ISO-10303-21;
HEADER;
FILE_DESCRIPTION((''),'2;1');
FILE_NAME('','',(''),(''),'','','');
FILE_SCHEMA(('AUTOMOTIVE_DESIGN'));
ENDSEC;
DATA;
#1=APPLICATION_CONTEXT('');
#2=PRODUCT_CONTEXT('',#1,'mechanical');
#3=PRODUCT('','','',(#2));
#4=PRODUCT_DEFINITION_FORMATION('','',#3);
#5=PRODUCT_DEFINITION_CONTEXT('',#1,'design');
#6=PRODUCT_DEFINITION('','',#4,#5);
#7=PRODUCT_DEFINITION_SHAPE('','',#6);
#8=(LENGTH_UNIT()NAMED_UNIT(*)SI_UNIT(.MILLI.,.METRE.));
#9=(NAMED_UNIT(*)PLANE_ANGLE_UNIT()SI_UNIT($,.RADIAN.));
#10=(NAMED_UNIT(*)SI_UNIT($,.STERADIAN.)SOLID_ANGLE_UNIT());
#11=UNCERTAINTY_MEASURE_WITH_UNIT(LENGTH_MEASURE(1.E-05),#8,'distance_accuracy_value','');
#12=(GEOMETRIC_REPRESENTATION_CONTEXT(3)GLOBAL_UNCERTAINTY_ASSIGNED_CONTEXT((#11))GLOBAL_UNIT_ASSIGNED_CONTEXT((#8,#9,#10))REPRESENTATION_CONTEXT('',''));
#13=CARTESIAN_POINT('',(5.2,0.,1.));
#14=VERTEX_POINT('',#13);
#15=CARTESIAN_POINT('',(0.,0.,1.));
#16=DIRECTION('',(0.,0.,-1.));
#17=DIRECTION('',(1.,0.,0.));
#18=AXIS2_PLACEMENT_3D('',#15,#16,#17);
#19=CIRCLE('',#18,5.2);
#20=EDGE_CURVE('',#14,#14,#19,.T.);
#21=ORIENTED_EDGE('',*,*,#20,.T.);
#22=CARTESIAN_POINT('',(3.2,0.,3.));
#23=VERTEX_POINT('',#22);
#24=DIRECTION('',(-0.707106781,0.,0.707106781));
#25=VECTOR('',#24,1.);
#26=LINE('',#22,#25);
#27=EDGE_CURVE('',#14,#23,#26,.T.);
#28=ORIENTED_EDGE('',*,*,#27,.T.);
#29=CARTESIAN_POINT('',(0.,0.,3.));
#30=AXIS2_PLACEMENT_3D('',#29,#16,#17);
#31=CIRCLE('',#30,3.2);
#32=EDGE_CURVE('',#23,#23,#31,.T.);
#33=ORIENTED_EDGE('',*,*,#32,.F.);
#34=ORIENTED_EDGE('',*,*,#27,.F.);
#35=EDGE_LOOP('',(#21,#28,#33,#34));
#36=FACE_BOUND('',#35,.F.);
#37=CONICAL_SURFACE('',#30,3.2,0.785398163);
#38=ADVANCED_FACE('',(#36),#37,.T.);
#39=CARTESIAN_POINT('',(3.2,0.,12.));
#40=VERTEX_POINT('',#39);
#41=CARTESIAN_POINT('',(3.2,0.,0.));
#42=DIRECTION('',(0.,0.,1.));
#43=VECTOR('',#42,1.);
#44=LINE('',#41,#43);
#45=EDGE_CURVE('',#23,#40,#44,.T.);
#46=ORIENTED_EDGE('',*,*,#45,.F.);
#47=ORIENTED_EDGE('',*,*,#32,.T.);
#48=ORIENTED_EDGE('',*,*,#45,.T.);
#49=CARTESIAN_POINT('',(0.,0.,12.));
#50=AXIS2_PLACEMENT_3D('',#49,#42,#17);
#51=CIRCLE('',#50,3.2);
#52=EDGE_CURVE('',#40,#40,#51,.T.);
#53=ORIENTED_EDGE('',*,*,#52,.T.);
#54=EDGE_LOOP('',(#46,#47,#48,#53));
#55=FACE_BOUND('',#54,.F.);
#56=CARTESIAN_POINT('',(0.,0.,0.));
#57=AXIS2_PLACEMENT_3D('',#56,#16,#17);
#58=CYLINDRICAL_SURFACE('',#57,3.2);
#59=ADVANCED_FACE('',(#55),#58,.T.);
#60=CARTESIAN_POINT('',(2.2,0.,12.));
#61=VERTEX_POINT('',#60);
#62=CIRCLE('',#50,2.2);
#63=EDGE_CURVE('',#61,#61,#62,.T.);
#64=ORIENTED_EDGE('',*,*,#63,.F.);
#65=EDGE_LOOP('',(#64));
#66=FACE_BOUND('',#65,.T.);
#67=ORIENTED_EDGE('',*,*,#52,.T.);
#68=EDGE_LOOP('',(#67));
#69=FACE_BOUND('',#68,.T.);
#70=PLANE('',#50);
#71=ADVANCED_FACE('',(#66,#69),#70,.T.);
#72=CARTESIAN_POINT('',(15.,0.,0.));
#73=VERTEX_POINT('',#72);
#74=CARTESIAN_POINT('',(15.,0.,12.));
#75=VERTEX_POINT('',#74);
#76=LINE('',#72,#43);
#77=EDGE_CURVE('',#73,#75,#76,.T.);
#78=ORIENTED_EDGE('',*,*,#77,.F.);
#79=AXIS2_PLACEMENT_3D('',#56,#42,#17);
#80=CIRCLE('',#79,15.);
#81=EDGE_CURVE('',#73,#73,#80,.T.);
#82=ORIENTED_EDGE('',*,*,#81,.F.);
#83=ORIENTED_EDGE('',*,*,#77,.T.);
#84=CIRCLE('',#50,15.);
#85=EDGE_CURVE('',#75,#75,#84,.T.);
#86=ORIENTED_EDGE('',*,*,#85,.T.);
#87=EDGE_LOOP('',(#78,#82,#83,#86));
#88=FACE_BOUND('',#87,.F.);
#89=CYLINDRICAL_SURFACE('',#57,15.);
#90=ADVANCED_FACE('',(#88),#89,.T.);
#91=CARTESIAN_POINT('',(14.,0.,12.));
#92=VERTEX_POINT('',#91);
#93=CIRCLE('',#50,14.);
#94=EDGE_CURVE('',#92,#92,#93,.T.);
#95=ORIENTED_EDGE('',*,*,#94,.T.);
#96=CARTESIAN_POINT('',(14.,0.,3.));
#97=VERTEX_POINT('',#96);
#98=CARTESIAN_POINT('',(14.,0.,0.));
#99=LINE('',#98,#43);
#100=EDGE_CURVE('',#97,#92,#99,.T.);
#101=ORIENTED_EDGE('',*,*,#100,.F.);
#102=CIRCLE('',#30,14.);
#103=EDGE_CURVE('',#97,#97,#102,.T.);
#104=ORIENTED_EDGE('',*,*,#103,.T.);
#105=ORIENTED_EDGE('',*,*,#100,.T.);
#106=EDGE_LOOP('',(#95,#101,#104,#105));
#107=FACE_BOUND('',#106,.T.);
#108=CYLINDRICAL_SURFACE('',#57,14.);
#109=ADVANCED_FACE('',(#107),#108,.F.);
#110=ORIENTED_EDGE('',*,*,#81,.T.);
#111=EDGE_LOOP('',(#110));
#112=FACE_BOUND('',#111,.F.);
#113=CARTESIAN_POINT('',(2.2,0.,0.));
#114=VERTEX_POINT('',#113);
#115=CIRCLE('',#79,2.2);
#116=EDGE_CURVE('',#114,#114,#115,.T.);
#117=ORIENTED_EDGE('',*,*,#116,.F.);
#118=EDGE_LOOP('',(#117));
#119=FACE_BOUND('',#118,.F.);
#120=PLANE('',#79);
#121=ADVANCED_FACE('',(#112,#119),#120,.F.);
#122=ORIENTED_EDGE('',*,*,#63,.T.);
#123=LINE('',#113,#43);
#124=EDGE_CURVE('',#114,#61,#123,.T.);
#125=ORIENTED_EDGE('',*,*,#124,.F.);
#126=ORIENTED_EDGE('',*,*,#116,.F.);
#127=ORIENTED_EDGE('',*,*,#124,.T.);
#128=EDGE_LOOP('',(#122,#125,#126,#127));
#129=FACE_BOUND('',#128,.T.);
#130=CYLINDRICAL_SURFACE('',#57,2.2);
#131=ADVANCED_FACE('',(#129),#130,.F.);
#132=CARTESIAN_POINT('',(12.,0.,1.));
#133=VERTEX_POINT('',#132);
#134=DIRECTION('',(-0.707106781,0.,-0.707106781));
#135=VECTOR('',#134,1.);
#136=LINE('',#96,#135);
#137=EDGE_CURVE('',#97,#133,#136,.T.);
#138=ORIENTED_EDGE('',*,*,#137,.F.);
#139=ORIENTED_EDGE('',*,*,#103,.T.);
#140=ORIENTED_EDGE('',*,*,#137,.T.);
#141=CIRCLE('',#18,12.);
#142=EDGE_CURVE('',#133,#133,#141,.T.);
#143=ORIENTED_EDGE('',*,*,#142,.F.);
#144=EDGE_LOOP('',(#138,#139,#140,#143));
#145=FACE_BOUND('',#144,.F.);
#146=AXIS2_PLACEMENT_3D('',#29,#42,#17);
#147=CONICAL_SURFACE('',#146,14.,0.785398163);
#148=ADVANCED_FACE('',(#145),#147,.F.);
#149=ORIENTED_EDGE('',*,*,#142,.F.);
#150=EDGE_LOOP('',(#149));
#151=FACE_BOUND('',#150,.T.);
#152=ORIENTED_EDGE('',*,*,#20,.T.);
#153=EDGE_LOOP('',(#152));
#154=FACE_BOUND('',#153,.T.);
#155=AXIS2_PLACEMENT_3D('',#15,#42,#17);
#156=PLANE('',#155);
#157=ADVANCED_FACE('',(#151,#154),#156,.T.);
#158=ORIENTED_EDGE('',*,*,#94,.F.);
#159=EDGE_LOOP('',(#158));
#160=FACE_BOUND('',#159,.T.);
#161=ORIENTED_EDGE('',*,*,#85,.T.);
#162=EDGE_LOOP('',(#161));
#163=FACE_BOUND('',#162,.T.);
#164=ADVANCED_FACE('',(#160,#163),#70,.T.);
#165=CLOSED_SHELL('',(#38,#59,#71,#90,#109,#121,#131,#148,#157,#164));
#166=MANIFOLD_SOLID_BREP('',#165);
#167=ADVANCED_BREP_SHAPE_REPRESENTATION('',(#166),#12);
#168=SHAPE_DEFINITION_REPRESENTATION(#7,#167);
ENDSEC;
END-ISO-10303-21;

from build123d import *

# Parameters (mm, degrees)
F0_R     = 15
F0_R_2   = 2.2
F1_DEPTH = 12
F2_T     = -1
F3_SIZE  = 2


with BuildPart() as f1:
    # F0 (on Top) → F1 (new body)
    with BuildSketch(Plane.XY):
        Circle(F0_R)
        Circle(F0_R_2, mode=Mode.SUBTRACT)
    extrude(amount=F1_DEPTH)

    # F2
    f2_openings = [f1.faces().sort_by_distance(p)[0] for p in [
        (-14.575736, 0, 12),
    ]]
    offset(amount=F2_T, openings=f2_openings)

    # F3
    f3_edges = [f1.edges().sort_by_distance(p)[0] for p in [
        (-14, 0, 1),
        (-3.2, 0, 1),
    ]]
    chamfer(f3_edges, length=F3_SIZE)


solid = f1.part
